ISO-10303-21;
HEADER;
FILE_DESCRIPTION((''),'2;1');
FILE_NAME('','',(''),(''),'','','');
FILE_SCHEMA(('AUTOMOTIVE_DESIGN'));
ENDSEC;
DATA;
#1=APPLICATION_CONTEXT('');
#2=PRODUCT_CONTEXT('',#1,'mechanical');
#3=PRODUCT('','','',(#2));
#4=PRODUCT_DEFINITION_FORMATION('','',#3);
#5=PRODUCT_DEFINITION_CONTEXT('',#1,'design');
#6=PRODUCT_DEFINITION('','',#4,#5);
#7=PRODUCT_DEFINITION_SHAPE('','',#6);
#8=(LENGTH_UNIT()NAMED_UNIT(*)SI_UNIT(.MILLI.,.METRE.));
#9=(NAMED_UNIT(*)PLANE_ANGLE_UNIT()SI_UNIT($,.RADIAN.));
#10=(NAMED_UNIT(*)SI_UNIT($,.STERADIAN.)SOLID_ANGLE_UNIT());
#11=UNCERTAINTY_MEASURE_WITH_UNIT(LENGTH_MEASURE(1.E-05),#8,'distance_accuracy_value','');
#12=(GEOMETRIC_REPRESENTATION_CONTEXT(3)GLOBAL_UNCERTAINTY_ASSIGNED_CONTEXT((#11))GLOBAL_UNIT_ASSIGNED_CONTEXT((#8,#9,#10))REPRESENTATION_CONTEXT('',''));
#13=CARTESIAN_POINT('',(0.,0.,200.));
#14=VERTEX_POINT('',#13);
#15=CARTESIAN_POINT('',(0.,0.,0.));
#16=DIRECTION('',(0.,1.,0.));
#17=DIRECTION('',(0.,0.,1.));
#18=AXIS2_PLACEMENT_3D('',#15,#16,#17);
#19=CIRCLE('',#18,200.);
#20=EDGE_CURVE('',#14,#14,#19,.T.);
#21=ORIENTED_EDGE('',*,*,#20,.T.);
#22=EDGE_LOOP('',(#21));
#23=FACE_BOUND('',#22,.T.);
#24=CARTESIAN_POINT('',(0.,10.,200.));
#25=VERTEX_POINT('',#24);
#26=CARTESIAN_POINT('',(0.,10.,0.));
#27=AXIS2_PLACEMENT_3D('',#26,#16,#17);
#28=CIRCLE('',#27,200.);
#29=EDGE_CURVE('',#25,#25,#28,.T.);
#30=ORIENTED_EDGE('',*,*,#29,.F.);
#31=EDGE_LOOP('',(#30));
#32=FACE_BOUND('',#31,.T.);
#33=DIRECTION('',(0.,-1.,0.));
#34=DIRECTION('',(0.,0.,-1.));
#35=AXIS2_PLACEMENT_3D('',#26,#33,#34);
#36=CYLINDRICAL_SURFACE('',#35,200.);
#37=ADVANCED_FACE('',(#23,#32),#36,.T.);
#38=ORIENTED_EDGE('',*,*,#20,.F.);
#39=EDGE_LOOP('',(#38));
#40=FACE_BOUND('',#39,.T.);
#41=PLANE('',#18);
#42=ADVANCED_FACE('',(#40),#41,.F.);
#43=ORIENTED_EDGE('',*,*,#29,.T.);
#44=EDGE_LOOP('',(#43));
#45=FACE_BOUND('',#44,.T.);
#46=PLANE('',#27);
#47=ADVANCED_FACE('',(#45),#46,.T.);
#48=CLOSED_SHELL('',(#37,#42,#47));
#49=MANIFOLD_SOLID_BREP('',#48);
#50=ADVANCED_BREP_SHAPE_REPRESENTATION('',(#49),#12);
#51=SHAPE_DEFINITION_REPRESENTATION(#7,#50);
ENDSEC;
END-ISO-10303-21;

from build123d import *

# Parameters (mm, degrees)
ESQUISSE1_R      = 200
EXTRUSION1_DEPTH = 10


with BuildPart() as part:
    # Esquisse1 → Extrusion1 (new body)
    with BuildSketch(Plane(origin=(0, 0, 0), x_dir=(1, 0, 0), z_dir=(0, 1, 0))):
        Circle(ESQUISSE1_R)
    extrude(amount=EXTRUSION1_DEPTH)


solid = part.part
